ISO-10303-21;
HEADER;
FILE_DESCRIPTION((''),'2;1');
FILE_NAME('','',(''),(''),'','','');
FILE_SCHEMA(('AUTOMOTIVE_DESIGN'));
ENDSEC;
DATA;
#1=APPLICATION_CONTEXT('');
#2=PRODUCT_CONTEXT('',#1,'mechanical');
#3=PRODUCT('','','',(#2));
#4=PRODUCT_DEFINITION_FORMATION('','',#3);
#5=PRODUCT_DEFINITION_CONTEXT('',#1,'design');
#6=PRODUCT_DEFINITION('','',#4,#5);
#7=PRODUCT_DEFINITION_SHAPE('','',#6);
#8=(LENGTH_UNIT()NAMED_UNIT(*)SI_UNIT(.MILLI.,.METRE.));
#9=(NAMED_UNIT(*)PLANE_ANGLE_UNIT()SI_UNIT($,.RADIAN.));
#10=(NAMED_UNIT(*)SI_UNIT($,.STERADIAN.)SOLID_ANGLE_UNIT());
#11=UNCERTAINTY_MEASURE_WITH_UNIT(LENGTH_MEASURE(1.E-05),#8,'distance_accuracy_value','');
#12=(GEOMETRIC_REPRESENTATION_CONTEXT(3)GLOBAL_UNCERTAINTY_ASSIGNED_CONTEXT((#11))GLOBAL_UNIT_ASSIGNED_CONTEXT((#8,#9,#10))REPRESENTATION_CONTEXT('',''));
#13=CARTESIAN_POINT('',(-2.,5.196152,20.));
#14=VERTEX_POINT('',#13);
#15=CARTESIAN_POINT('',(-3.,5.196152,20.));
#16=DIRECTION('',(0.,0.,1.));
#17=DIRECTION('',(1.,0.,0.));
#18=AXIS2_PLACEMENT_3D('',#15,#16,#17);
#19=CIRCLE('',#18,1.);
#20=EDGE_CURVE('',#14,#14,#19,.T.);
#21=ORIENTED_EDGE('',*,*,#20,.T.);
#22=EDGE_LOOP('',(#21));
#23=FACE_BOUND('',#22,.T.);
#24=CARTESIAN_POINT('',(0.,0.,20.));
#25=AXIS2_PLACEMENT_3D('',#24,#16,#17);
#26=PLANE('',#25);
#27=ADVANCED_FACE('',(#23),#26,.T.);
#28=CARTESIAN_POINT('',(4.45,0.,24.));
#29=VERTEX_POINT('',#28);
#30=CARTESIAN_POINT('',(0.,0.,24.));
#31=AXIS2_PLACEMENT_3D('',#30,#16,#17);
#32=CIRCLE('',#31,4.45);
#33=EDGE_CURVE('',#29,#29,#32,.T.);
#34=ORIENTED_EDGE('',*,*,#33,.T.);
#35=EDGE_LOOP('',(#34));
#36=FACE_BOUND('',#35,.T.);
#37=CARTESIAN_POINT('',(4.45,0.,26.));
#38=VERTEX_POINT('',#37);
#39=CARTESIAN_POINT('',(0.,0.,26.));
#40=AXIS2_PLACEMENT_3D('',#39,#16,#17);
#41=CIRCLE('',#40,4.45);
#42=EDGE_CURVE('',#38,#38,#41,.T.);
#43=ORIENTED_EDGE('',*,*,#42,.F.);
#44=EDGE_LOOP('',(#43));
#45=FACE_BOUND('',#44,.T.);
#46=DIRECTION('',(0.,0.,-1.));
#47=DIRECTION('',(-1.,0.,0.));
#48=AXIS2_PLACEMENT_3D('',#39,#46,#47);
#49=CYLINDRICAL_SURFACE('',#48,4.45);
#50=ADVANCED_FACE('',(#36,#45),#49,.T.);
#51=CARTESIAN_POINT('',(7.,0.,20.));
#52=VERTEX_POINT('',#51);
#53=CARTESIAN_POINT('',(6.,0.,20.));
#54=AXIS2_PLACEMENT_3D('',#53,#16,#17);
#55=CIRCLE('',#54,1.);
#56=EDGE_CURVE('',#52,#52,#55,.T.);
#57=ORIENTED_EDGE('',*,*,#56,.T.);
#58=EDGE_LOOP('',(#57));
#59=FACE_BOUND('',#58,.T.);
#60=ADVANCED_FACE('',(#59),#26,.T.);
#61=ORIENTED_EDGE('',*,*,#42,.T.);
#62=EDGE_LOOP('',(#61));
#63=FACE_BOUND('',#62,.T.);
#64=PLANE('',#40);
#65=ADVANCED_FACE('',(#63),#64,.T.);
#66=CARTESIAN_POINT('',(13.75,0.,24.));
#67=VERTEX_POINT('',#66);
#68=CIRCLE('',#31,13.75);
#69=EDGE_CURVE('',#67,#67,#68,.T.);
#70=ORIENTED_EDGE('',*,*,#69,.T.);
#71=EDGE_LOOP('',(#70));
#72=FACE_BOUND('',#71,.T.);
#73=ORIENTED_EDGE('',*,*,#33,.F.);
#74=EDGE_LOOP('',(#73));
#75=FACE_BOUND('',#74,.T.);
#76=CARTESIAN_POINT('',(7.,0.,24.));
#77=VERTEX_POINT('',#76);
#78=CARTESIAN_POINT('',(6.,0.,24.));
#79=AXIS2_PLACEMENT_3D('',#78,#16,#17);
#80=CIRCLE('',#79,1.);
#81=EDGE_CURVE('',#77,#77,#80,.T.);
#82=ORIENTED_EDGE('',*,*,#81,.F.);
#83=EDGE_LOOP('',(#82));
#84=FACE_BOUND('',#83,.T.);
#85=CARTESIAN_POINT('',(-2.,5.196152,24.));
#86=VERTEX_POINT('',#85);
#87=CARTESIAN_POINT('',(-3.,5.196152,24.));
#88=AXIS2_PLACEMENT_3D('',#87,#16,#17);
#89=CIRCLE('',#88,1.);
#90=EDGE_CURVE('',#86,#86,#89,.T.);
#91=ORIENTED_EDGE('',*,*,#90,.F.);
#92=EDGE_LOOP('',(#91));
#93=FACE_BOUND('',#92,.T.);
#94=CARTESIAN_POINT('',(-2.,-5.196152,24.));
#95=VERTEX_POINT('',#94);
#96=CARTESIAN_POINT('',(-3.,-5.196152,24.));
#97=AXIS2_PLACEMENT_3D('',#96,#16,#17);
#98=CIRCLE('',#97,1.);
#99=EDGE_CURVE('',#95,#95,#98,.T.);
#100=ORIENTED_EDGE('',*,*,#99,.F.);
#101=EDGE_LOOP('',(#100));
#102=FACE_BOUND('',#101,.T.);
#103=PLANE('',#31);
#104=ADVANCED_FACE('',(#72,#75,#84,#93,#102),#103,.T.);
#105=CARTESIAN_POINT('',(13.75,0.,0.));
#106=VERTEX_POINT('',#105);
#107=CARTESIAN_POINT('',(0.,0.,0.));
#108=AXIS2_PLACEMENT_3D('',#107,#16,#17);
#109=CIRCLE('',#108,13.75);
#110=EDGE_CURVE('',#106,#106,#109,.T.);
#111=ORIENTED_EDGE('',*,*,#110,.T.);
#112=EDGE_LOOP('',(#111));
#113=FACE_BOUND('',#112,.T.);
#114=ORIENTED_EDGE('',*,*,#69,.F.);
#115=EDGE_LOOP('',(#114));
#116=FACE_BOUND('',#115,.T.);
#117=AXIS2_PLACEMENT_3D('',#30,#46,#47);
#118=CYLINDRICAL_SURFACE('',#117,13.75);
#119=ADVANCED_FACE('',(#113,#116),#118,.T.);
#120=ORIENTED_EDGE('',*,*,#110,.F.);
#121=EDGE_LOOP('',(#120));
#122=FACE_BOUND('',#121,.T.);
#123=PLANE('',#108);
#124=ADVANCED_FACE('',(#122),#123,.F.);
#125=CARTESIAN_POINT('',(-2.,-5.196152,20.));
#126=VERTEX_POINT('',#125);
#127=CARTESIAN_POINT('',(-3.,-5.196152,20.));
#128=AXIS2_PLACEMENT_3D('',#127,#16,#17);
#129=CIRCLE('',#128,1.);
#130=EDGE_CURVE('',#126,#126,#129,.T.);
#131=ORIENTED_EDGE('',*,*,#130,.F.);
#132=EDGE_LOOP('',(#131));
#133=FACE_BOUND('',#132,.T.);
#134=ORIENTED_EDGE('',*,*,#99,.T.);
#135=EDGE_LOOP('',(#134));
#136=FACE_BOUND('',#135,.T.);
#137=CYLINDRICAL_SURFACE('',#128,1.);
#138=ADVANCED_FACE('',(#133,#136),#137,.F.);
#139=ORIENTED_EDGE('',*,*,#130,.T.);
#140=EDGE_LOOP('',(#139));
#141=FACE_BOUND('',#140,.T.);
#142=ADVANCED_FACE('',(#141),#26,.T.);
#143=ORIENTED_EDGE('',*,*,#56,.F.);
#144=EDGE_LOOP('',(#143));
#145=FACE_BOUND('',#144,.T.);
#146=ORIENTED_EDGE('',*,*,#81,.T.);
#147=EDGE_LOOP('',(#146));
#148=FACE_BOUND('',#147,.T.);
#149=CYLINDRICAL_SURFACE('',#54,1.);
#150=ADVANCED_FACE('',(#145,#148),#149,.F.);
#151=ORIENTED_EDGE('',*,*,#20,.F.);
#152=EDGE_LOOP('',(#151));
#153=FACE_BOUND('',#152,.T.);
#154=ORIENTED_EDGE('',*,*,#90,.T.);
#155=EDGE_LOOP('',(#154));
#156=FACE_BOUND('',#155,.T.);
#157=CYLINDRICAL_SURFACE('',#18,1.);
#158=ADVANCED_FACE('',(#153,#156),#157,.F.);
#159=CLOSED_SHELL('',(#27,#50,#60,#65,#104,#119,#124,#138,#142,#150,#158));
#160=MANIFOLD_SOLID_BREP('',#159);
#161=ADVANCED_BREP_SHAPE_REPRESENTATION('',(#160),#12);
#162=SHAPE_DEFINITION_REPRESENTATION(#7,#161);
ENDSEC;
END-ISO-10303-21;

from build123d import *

# Parameters (mm, degrees)
SKETCH_1_R          = 13.75
EXTRUDE_1_DEPTH     = 24
SKETCH_2_R          = 4.45
EXTRUDE_2_DEPTH     = 2
SKETCH_3_R          = 1
CUT_EXTRUDE_1_DEPTH = 6


with BuildPart() as part:
    # 草图1 → 凸台-拉伸1 (new body)
    with BuildSketch(Plane.XY):
        Circle(SKETCH_1_R)
    extrude(amount=EXTRUDE_1_DEPTH)

    # 草图2 → 凸台-拉伸2 (add)
    with BuildSketch(Plane.XY.offset(24)):
        Circle(SKETCH_2_R)
    extrude(amount=EXTRUDE_2_DEPTH)

    # 草图3 → 切除-拉伸1 (cut)
    with BuildSketch(Plane.XY.offset(26)):
        with Locations((6, 0)):
            Circle(SKETCH_3_R)
        with Locations((-3, -5.196152423)):
            Circle(SKETCH_3_R)
        with Locations((-3, 5.196152423)):
            Circle(SKETCH_3_R)
    extrude(amount=-CUT_EXTRUDE_1_DEPTH, mode=Mode.SUBTRACT)


solid = part.part
